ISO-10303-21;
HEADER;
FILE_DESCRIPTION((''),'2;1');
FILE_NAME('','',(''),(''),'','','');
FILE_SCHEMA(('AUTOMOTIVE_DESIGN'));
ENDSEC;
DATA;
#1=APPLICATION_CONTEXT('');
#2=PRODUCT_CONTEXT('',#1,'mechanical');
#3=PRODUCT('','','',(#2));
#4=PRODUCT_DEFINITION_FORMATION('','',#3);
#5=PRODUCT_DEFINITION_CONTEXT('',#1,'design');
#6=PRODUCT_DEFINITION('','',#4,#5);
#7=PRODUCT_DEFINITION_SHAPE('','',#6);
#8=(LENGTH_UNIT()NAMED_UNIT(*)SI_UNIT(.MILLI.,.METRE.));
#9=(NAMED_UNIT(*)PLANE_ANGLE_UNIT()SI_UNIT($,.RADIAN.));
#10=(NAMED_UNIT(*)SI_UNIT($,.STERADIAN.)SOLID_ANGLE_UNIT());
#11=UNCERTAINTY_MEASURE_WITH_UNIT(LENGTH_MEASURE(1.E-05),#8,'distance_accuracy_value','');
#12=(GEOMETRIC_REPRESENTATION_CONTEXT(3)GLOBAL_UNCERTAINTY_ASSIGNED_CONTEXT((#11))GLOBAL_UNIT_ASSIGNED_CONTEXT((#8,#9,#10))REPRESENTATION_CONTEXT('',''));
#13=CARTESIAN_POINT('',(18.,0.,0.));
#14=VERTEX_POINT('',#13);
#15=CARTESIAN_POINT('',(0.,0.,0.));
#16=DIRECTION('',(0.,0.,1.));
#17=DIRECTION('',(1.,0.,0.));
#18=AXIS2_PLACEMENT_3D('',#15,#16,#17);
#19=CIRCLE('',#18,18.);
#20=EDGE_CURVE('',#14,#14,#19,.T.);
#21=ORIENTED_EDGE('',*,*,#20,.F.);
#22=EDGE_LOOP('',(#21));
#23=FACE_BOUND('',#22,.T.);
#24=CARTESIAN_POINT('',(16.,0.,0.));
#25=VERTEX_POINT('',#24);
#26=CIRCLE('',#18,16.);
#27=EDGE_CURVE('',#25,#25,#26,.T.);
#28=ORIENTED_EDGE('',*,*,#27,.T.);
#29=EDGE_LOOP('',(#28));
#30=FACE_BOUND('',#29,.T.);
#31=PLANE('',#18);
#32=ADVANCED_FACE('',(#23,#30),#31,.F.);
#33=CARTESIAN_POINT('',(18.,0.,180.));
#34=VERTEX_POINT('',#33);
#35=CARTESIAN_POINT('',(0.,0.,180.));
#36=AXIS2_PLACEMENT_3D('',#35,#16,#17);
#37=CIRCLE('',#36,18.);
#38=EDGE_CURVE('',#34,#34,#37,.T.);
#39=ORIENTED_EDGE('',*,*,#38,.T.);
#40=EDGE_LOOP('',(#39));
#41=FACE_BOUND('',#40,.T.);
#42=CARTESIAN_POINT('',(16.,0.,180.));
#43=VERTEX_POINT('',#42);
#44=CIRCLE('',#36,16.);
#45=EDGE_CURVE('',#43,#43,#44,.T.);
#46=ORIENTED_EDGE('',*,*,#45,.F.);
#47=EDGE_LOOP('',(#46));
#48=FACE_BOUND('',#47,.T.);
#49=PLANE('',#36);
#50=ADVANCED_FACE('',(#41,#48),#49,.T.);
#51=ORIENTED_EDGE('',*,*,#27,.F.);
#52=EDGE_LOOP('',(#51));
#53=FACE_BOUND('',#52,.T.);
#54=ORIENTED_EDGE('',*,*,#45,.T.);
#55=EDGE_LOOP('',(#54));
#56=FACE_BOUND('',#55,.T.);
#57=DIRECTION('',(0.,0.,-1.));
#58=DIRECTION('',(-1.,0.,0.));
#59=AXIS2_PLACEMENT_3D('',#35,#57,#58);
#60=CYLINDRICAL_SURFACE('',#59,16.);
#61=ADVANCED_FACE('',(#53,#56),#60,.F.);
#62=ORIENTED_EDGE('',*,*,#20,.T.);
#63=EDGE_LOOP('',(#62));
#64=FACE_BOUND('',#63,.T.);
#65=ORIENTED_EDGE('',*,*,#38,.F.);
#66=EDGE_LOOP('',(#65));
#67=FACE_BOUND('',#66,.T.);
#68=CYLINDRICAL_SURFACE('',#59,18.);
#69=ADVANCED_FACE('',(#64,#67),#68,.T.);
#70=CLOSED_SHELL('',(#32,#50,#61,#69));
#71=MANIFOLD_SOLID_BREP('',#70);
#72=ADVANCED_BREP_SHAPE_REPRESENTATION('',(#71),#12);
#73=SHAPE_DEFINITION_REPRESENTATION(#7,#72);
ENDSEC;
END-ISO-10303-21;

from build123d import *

# Parameters (mm, degrees)
SKETCH1_R           = 18
SKETCH1_R_2         = 16
BOSS_EXTRUDE1_DEPTH = 180


with BuildPart() as part:
    # Sketch1 → Boss-Extrude1 (new body)
    with BuildSketch(Plane.XY):
        Circle(SKETCH1_R)
        Circle(SKETCH1_R_2, mode=Mode.SUBTRACT)
    extrude(amount=BOSS_EXTRUDE1_DEPTH)


solid = part.part
